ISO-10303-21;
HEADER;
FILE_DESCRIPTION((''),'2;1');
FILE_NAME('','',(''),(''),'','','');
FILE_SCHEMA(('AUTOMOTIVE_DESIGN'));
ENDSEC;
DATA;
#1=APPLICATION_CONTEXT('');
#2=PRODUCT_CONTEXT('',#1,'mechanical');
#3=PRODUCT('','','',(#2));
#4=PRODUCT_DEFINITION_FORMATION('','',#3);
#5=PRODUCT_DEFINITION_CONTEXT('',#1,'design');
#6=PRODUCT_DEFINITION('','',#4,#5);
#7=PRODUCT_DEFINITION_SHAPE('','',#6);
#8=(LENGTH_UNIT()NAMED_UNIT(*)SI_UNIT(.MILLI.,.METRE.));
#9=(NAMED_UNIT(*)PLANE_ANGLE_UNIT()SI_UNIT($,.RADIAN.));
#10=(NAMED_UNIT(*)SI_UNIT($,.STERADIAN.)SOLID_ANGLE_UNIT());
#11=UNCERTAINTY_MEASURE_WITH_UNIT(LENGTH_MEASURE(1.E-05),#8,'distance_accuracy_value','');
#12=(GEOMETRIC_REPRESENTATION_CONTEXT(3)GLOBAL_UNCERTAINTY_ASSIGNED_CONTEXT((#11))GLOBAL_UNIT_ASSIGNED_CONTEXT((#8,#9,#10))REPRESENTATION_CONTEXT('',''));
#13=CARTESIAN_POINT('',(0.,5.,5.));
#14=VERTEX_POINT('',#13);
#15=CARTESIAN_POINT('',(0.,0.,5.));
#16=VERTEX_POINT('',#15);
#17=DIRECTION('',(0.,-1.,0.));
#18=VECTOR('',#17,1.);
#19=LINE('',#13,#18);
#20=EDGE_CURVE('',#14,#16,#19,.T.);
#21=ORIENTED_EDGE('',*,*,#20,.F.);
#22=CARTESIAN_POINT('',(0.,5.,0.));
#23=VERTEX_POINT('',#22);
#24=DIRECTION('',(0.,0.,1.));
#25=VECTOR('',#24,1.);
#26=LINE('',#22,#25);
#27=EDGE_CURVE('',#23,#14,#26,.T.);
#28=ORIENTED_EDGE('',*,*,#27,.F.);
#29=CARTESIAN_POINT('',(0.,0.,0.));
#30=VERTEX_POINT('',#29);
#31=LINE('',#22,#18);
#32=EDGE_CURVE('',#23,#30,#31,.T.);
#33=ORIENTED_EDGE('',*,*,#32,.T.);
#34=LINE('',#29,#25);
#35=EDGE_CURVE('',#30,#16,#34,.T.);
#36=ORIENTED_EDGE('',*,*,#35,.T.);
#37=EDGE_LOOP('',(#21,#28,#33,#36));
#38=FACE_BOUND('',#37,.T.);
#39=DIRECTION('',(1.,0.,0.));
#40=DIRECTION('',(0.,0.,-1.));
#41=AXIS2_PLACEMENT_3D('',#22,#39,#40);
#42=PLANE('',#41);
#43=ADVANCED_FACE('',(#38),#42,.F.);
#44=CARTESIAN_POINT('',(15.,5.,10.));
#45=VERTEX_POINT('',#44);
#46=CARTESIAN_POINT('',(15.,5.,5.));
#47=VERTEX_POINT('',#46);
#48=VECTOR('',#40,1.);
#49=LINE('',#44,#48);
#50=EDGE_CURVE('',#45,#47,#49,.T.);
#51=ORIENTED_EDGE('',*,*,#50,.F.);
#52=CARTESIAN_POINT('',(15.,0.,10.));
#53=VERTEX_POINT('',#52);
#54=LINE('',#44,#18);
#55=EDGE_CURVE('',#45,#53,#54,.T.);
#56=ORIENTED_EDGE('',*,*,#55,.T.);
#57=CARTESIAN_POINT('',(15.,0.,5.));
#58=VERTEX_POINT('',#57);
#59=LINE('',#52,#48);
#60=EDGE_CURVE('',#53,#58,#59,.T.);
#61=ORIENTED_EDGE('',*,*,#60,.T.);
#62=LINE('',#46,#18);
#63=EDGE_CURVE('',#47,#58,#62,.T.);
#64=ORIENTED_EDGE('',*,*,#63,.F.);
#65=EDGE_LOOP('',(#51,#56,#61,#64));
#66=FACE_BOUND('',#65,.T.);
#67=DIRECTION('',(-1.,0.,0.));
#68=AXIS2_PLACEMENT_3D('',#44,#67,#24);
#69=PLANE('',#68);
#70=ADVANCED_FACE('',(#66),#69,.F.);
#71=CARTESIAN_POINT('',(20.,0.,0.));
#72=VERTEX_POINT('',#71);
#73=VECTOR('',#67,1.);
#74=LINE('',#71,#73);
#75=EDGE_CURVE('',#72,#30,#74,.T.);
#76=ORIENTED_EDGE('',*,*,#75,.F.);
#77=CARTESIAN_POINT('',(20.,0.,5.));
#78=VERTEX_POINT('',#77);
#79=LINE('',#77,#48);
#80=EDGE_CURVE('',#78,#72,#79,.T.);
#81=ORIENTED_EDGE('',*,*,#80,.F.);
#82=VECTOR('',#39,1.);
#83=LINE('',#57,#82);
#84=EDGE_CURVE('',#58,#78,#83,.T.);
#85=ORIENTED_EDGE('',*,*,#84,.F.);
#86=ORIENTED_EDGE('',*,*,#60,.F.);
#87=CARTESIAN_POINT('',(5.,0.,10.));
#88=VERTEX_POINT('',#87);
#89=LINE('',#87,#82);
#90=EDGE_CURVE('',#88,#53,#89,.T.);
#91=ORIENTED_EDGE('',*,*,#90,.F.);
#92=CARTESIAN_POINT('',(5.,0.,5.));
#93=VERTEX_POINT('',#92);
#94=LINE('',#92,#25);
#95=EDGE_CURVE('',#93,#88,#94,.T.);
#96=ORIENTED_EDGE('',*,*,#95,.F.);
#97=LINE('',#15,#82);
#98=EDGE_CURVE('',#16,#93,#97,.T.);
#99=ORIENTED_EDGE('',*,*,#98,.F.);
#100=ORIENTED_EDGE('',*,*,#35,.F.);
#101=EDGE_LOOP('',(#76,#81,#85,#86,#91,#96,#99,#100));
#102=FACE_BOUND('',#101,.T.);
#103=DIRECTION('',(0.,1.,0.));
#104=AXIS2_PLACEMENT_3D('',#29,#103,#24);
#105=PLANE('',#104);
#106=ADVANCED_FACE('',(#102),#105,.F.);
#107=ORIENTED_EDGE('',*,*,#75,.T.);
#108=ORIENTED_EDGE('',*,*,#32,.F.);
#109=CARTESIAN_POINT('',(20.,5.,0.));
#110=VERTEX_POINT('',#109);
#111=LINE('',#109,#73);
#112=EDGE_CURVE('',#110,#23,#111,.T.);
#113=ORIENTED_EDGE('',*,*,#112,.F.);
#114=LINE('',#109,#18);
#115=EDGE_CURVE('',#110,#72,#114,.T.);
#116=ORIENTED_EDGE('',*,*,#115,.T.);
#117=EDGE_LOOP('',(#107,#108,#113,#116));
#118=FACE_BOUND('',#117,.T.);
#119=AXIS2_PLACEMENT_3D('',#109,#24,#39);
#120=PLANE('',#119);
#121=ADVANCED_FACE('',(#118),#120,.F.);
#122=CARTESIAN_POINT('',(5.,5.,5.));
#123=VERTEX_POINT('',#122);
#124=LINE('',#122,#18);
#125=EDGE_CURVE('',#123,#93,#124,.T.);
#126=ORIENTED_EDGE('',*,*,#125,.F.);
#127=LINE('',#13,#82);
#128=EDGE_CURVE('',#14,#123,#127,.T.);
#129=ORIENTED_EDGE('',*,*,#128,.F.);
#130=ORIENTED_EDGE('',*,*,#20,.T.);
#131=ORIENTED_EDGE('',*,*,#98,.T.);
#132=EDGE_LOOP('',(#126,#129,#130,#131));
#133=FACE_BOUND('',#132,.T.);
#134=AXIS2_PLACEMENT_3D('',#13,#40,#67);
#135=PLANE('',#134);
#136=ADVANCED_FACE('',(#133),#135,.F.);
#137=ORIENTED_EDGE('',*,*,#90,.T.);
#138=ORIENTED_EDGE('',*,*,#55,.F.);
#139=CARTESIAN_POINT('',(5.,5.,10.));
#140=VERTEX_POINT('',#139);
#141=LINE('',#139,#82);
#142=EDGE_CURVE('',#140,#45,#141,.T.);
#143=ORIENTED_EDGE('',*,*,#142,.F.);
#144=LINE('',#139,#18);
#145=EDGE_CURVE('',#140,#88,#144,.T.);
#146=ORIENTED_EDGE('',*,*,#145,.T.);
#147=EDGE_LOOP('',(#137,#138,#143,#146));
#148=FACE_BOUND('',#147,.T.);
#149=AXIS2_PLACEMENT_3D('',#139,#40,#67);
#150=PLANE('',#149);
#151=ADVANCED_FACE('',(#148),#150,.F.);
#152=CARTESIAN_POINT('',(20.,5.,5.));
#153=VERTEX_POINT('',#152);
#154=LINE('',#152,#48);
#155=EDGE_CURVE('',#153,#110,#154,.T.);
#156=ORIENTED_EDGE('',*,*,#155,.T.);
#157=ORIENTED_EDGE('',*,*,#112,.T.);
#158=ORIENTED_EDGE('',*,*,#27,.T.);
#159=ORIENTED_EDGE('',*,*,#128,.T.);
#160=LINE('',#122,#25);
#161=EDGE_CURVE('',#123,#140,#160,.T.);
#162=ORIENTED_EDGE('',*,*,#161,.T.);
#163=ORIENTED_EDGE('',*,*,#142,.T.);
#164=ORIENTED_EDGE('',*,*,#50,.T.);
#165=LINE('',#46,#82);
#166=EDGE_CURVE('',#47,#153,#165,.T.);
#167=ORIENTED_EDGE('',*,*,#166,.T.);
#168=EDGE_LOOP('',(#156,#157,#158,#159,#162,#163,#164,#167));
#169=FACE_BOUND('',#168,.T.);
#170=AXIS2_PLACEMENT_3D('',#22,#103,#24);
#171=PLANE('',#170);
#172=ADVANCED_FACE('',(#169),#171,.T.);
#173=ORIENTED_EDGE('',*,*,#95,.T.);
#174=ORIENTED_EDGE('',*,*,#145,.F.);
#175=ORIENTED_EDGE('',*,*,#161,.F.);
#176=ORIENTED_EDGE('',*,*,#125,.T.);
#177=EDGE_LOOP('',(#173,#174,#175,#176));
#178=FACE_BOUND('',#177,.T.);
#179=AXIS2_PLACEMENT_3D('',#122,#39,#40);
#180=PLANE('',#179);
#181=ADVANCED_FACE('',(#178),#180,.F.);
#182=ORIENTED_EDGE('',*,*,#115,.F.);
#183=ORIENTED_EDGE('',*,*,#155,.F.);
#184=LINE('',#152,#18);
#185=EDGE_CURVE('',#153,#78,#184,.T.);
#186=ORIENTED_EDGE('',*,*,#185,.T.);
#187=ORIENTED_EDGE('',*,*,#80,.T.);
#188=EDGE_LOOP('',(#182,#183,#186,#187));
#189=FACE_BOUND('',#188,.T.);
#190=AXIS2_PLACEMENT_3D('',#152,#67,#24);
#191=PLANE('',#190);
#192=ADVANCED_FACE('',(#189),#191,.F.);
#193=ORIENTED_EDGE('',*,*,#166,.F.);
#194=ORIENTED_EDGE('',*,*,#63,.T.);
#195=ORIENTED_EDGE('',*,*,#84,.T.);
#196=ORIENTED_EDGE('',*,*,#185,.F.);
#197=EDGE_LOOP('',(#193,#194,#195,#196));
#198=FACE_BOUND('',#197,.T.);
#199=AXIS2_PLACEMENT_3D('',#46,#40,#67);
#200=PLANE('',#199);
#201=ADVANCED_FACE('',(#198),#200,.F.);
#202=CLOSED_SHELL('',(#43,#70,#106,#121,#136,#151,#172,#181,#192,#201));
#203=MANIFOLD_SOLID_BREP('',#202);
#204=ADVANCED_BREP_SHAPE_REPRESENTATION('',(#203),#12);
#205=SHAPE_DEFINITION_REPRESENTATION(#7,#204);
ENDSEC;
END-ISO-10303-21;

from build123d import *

# Parameters (mm, degrees)
BOSS_EXTRUDE1_DEPTH = 5


with BuildPart() as part:
    # Sketch1 → Boss-Extrude1 (new body)
    with BuildSketch(Plane(origin=(0, 0, 0), x_dir=(1, 0, 0), z_dir=(0, 1, 0))):
        Polygon((0, 0), (0, -5), (5, -5), (5, -10), (15, -10), (15, -5), (20, -5), (20, 0), align=None)
    extrude(amount=BOSS_EXTRUDE1_DEPTH)


solid = part.part
